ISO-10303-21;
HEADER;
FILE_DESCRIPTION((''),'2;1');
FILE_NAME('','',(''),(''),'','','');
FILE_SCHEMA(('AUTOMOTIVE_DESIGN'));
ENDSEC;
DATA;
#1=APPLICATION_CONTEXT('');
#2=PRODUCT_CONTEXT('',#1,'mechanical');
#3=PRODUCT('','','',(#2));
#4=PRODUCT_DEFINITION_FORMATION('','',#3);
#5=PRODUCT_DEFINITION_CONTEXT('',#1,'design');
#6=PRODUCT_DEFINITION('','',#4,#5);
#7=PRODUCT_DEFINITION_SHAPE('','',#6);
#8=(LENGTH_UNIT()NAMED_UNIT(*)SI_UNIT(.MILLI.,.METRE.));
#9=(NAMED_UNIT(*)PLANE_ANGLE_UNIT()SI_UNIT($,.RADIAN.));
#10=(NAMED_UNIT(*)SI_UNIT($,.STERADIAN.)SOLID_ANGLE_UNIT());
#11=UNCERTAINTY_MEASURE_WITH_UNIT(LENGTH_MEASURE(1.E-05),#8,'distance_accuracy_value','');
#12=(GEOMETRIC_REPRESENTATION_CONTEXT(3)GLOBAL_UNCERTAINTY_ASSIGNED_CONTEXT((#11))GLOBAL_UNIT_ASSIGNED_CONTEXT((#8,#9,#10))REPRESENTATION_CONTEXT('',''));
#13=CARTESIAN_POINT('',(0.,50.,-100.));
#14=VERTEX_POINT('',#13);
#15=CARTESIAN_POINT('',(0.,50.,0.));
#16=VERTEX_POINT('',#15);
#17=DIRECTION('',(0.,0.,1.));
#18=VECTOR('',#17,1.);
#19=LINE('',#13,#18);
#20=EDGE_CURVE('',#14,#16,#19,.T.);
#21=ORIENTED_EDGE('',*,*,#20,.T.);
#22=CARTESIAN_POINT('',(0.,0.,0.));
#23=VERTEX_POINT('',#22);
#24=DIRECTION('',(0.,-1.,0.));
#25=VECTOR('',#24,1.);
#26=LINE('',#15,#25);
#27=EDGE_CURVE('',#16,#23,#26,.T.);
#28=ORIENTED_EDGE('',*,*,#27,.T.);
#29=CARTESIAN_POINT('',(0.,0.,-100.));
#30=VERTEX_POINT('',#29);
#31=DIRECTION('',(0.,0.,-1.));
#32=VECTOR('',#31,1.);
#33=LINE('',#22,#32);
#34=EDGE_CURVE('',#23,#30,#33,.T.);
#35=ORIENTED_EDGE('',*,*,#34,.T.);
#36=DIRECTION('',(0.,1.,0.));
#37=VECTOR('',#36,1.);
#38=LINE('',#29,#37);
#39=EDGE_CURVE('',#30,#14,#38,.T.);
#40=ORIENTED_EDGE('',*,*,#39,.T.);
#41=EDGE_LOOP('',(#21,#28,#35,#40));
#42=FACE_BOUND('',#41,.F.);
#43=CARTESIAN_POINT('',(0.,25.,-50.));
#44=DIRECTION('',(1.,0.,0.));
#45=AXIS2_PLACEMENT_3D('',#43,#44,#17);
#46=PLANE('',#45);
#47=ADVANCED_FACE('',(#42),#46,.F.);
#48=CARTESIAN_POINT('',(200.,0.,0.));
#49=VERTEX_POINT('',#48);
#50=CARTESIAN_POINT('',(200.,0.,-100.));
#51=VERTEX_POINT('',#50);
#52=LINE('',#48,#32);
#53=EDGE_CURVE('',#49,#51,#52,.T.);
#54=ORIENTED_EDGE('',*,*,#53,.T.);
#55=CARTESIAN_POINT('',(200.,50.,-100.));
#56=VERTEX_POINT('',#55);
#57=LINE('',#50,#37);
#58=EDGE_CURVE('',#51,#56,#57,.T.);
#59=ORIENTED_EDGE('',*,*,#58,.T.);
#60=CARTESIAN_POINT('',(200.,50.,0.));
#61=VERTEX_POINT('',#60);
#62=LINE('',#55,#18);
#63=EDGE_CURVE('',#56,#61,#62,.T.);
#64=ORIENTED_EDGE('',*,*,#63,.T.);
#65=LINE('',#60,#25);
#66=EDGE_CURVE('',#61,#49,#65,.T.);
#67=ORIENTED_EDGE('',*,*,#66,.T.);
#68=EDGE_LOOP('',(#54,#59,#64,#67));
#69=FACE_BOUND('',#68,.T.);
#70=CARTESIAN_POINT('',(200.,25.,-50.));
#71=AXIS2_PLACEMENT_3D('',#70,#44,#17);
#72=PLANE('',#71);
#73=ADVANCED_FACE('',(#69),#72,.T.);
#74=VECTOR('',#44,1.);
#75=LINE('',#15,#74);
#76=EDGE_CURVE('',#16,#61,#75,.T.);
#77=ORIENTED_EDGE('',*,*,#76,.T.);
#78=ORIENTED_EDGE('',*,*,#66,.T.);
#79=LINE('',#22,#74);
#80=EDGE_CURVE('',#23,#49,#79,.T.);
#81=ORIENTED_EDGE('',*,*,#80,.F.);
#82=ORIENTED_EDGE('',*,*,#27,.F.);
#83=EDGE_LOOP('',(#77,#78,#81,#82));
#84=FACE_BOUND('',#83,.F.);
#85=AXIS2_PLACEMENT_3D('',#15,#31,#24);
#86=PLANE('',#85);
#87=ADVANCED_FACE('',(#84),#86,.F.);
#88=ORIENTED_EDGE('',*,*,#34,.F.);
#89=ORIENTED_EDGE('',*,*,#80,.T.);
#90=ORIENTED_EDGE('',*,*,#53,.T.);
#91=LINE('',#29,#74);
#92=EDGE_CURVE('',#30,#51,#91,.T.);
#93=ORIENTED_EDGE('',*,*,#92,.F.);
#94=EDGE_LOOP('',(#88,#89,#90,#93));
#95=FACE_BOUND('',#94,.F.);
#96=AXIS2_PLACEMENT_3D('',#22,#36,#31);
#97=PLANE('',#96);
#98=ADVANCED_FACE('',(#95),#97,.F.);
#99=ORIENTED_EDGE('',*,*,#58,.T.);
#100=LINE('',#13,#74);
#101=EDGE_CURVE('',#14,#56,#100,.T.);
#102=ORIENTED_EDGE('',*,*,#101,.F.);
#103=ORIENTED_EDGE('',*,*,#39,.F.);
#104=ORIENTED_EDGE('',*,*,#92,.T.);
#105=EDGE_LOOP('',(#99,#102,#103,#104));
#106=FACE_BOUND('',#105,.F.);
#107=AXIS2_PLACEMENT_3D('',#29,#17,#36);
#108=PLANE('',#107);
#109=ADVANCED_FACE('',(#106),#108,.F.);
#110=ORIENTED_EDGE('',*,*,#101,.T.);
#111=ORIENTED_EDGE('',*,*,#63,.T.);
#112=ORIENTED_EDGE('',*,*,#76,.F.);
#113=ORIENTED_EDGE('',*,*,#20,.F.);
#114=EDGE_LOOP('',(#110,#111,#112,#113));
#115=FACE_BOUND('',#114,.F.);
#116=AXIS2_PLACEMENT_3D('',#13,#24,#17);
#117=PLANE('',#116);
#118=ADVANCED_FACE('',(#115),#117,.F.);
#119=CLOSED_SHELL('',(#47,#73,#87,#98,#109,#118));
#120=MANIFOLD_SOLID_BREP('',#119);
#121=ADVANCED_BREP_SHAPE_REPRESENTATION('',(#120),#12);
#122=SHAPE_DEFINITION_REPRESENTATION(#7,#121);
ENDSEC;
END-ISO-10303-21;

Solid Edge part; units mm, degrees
sketch "Sketch1" plane through (0, 0, 0) normal (1, 0, 0) x (0, 1, 0)
  line L0 (0, -100) -> (50, -100)
  line L1 (50, -100) -> (50, 0)
  line L2 (50, 0) -> (0, 0)
  line L3 (0, 0) -> (0, -100)
  dimension "D1" = 50
  dimension "D2" = 100
extrude "Protrusion1" add sketch "Sketch1" along normal blind 200
properties material "Steel"
